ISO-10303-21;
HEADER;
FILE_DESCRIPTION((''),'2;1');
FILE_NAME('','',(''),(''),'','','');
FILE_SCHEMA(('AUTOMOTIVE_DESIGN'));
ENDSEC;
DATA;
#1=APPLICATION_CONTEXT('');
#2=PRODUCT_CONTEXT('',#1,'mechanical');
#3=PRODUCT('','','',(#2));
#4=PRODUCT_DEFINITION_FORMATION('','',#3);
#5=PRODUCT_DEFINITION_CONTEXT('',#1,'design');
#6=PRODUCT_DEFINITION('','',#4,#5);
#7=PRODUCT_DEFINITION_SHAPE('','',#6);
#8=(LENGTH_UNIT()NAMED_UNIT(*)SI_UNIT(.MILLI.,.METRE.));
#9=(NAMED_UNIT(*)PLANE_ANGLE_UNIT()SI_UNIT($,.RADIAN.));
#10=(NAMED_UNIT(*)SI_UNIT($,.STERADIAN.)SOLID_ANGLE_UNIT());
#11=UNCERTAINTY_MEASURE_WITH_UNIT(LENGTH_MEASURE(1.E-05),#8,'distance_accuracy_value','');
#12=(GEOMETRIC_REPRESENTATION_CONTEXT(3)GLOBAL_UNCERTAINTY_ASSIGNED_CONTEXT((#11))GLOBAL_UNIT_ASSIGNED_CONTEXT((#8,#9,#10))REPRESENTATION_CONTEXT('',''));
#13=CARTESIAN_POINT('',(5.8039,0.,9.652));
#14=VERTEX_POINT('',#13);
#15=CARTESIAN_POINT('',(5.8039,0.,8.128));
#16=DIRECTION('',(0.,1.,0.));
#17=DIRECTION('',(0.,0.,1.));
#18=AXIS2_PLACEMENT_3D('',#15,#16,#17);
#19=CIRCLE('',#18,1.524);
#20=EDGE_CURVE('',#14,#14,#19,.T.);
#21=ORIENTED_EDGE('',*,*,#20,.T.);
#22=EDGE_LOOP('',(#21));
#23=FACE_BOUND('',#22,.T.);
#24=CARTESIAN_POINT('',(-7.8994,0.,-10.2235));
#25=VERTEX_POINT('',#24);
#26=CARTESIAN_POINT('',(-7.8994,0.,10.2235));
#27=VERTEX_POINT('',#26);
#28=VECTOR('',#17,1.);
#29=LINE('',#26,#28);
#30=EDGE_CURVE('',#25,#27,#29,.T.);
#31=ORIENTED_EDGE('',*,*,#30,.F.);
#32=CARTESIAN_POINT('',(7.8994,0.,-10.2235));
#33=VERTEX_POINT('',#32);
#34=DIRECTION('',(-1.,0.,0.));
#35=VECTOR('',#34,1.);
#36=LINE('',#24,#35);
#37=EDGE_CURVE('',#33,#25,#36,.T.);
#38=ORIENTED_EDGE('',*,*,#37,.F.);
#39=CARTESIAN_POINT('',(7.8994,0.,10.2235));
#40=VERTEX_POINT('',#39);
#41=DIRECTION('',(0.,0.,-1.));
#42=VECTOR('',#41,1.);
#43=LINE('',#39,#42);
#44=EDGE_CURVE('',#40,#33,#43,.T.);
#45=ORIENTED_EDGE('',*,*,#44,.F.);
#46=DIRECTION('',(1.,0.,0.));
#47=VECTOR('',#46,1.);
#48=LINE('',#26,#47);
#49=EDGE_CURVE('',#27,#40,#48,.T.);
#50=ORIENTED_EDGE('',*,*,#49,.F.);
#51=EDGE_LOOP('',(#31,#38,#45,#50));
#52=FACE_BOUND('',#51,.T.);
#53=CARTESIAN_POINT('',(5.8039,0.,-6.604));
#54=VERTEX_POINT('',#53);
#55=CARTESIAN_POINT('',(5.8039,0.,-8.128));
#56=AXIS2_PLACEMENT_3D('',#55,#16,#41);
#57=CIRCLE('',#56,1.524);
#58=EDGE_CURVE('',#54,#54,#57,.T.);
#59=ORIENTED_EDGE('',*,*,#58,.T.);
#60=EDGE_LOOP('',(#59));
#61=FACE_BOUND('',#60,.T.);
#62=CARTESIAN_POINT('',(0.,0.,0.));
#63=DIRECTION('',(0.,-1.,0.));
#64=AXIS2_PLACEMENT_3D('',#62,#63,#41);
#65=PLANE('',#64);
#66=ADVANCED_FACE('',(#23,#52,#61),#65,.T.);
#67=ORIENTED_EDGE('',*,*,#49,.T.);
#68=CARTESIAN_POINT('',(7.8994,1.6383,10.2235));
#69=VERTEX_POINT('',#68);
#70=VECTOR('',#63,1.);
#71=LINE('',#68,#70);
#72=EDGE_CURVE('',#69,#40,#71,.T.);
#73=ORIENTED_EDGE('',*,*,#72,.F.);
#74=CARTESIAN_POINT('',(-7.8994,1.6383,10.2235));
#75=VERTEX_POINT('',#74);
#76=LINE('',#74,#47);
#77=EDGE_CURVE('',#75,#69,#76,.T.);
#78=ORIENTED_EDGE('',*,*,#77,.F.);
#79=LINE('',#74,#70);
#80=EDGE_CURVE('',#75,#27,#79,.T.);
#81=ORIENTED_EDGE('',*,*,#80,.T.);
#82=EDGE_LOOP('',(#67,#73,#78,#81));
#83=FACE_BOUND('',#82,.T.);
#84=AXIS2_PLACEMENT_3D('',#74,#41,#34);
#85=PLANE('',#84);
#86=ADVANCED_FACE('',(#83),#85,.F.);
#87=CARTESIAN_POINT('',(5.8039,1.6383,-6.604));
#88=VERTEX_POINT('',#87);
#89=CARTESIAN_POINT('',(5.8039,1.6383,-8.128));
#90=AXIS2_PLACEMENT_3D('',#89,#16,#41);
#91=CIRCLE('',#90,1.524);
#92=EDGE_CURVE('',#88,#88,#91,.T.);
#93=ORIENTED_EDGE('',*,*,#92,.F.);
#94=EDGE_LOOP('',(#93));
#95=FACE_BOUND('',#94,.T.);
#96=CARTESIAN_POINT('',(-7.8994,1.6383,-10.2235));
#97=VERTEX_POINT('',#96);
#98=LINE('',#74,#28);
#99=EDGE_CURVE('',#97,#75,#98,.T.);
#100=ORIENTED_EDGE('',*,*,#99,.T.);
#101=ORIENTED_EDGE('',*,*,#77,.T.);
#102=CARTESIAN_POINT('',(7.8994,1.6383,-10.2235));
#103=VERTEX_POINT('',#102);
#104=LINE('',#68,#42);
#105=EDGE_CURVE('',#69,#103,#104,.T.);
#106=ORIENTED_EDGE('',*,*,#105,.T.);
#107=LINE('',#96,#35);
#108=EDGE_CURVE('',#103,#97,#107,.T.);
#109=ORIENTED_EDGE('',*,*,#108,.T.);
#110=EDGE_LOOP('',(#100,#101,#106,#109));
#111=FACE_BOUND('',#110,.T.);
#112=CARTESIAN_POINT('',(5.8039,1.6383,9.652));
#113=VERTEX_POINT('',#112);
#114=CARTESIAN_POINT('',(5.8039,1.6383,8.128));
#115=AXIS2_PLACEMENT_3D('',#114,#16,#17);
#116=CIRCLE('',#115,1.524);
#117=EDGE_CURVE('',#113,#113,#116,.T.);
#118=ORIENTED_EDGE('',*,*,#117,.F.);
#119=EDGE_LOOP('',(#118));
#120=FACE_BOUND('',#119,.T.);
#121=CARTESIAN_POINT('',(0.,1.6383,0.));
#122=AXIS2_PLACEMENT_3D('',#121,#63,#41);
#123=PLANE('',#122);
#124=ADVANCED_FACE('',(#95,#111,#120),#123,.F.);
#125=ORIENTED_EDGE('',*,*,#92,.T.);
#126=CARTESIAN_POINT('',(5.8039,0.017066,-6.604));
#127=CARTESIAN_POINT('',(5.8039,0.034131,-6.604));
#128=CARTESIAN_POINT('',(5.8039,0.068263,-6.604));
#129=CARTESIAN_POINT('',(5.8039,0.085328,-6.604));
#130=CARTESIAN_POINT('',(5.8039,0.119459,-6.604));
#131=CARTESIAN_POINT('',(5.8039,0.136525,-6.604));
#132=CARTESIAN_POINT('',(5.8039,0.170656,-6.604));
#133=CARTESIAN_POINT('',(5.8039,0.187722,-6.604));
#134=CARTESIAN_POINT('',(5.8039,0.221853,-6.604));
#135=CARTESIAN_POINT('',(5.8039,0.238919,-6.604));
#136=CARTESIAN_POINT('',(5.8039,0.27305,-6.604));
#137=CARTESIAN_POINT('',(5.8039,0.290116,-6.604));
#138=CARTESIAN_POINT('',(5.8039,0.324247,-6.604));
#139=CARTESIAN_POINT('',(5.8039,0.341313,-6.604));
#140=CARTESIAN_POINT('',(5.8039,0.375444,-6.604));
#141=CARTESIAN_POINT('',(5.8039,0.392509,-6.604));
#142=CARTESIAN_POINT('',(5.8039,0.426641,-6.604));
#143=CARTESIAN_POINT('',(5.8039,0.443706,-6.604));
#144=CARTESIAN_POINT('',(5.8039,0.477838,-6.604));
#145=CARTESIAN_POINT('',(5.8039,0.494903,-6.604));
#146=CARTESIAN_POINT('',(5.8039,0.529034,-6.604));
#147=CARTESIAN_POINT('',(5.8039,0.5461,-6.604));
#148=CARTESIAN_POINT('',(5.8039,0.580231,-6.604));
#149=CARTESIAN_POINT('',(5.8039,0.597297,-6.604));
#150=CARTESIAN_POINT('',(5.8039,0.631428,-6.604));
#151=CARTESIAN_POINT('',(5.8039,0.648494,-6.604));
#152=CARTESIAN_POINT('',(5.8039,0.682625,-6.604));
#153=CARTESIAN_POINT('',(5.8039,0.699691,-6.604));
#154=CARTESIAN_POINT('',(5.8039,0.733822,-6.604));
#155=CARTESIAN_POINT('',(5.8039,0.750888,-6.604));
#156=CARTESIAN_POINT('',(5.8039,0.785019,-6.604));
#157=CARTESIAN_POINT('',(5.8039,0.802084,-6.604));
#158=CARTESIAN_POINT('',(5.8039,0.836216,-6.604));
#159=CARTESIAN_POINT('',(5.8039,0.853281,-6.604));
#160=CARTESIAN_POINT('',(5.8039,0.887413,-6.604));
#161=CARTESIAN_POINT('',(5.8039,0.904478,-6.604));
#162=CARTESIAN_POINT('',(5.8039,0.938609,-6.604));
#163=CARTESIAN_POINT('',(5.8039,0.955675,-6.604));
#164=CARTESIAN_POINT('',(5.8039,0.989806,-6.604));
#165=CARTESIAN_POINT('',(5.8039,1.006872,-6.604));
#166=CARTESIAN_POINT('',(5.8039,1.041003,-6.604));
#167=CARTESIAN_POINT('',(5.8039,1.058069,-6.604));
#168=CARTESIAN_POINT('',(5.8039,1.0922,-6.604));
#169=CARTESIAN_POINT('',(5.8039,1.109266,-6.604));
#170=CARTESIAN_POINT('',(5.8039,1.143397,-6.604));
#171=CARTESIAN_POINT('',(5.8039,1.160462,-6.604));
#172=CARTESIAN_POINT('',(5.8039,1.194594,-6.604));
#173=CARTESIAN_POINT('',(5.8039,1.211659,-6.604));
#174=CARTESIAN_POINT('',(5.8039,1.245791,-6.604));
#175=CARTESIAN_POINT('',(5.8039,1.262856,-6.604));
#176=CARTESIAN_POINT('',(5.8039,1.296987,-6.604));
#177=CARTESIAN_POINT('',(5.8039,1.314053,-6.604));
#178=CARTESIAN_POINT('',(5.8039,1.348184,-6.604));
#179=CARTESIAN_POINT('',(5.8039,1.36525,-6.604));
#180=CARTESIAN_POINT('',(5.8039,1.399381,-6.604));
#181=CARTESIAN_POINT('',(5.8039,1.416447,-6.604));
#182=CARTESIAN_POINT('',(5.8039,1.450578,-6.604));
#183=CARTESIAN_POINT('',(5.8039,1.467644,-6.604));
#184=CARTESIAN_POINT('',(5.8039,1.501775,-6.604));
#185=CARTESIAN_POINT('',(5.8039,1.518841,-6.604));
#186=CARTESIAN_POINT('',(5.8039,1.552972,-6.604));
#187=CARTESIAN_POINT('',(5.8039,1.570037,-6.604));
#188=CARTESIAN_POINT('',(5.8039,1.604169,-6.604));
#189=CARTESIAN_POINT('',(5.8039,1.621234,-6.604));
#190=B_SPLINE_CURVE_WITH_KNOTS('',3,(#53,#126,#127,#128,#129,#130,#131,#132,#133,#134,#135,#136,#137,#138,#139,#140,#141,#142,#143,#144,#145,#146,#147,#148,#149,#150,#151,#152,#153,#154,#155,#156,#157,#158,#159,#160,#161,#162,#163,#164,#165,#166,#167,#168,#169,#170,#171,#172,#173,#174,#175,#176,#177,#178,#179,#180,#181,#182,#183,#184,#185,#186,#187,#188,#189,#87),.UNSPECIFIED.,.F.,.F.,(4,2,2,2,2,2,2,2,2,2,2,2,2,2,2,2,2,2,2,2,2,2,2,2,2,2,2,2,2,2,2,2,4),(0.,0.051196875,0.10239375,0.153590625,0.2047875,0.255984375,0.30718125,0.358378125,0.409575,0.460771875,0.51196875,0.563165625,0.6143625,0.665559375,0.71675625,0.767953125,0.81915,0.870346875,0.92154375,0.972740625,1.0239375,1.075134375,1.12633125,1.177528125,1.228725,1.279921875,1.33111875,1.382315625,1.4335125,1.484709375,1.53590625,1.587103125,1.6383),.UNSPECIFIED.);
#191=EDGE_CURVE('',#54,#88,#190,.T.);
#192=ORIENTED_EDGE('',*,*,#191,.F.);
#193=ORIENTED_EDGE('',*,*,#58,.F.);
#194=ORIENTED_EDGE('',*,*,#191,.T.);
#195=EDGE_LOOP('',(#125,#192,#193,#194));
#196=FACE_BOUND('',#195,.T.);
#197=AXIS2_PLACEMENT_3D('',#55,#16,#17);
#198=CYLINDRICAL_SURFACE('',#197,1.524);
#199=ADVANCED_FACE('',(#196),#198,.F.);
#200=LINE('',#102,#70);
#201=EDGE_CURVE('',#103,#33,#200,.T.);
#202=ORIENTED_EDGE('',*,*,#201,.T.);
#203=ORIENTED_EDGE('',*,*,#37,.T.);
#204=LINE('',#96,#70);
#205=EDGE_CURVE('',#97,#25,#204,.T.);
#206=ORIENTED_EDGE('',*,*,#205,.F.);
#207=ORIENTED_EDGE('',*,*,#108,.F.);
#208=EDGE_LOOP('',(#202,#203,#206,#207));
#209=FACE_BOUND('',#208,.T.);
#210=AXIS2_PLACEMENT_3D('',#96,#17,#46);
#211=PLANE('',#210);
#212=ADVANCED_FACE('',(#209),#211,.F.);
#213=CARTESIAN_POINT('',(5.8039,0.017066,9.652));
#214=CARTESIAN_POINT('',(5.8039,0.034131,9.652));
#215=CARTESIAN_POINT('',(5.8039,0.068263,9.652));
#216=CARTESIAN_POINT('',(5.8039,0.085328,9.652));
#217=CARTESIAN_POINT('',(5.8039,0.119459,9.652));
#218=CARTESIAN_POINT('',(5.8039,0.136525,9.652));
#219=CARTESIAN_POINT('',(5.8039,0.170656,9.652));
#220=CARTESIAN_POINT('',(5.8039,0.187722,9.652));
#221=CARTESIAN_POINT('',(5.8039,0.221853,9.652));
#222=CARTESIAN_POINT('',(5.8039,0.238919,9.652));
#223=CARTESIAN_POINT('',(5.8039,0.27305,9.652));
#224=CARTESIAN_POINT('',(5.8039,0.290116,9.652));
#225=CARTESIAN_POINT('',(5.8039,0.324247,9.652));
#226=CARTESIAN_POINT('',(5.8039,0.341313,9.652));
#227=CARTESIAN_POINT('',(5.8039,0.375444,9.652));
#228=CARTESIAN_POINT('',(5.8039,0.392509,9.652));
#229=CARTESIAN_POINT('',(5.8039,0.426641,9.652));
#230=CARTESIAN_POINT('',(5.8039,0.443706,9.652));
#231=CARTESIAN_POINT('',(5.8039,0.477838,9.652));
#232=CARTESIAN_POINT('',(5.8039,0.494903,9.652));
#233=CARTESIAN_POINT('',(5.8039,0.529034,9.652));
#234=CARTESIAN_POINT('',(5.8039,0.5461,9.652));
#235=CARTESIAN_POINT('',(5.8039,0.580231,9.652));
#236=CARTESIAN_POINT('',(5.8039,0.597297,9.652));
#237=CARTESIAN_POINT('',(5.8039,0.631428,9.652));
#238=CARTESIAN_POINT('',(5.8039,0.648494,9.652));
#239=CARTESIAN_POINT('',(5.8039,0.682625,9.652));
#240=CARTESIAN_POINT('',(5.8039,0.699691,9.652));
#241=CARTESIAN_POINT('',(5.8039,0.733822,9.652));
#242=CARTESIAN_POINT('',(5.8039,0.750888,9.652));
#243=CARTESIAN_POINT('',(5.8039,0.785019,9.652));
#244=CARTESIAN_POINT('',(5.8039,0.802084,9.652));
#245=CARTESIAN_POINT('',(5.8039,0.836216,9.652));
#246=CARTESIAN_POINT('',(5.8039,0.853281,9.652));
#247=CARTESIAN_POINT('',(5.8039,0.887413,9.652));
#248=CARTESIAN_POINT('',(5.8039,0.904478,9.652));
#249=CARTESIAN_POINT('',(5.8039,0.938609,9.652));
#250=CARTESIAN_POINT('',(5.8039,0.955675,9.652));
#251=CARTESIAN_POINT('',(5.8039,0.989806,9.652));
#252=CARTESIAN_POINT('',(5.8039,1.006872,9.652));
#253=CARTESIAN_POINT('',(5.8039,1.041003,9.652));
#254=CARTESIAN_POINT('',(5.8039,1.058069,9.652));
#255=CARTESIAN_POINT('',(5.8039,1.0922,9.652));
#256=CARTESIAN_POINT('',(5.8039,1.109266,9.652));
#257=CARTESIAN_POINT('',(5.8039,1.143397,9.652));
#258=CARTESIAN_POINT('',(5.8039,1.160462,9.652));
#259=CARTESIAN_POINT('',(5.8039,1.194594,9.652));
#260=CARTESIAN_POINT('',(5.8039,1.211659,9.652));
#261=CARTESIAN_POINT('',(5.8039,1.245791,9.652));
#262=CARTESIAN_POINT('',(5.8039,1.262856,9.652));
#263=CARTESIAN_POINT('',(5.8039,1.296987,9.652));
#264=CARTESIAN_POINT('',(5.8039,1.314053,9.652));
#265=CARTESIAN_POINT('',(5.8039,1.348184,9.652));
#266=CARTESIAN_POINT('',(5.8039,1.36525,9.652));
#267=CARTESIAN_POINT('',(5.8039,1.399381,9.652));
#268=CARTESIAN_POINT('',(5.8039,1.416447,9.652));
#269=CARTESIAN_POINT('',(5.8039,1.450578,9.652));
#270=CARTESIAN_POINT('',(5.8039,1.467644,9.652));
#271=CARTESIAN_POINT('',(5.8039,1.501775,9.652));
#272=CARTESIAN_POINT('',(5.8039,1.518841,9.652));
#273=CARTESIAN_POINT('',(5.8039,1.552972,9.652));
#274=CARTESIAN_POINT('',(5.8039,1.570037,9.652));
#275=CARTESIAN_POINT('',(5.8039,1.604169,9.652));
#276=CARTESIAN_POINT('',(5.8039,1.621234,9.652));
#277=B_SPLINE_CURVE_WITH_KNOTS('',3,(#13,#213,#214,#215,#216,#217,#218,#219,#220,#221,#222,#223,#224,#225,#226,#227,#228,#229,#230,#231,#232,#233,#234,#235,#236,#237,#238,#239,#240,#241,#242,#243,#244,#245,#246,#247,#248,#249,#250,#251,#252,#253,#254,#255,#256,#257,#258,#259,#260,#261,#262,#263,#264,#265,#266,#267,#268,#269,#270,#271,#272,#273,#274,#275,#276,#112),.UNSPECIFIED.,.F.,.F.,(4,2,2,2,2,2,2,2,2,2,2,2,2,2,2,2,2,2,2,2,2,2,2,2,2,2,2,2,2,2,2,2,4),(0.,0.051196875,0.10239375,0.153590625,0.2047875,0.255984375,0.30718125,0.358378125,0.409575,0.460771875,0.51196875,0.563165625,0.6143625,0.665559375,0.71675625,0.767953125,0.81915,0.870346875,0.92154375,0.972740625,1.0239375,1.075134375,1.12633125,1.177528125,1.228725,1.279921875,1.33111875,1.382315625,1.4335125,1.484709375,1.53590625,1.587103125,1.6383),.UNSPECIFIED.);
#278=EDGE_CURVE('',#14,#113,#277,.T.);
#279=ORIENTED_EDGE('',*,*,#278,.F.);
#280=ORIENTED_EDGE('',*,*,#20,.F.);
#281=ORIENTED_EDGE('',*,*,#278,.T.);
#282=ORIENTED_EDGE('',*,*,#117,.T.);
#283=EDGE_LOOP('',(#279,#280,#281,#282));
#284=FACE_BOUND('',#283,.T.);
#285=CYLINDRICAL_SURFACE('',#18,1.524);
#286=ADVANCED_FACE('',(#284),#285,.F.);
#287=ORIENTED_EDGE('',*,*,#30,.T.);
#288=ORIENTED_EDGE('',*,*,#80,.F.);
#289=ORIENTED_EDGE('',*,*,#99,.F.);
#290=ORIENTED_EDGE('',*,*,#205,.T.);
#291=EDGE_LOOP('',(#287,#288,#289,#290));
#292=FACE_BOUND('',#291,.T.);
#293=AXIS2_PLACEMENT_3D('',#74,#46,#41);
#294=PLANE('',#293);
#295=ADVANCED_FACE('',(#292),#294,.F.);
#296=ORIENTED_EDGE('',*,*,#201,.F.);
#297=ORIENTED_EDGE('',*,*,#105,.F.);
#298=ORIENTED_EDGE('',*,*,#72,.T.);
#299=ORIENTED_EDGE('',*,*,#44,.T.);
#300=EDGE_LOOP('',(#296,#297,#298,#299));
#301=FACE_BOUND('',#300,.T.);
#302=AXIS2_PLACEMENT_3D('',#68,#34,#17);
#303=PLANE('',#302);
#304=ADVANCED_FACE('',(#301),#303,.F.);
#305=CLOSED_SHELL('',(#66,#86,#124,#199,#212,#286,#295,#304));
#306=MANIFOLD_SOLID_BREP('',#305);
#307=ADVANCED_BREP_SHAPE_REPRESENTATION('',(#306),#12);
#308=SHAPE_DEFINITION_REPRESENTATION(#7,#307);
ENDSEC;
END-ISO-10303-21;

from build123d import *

# Parameters (mm, degrees)
SKETCH1_W           = 15.7988
SKETCH1_H           = 20.447
BOSS_EXTRUDE1_DEPTH = 1.6383
SKETCH2_R           = 1.524
CUT_EXTRUDE1_DEPTH  = 1.6383


with BuildPart() as part:
    # Sketch1 → Boss-Extrude1 (new body)
    with BuildSketch(Plane(origin=(0, 0, 0), x_dir=(1, 0, 0), z_dir=(0, 1, 0))):
        Rectangle(SKETCH1_W, SKETCH1_H)
    extrude(amount=BOSS_EXTRUDE1_DEPTH)

    # Sketch2 → Cut-Extrude1 (cut)
    with BuildSketch(Plane(origin=(0, 1.6383, 0), x_dir=(1, 0, 0), z_dir=(0, 1, 0))):
        with Locations(Location((5.8039, -8.128, 0), (0, 0, 270))):
            Circle(SKETCH2_R)
        with Locations(Location((5.8039, 8.128, 0), (0, 0, 270))):
            Circle(SKETCH2_R)
    extrude(amount=-CUT_EXTRUDE1_DEPTH, mode=Mode.SUBTRACT)


solid = part.part
